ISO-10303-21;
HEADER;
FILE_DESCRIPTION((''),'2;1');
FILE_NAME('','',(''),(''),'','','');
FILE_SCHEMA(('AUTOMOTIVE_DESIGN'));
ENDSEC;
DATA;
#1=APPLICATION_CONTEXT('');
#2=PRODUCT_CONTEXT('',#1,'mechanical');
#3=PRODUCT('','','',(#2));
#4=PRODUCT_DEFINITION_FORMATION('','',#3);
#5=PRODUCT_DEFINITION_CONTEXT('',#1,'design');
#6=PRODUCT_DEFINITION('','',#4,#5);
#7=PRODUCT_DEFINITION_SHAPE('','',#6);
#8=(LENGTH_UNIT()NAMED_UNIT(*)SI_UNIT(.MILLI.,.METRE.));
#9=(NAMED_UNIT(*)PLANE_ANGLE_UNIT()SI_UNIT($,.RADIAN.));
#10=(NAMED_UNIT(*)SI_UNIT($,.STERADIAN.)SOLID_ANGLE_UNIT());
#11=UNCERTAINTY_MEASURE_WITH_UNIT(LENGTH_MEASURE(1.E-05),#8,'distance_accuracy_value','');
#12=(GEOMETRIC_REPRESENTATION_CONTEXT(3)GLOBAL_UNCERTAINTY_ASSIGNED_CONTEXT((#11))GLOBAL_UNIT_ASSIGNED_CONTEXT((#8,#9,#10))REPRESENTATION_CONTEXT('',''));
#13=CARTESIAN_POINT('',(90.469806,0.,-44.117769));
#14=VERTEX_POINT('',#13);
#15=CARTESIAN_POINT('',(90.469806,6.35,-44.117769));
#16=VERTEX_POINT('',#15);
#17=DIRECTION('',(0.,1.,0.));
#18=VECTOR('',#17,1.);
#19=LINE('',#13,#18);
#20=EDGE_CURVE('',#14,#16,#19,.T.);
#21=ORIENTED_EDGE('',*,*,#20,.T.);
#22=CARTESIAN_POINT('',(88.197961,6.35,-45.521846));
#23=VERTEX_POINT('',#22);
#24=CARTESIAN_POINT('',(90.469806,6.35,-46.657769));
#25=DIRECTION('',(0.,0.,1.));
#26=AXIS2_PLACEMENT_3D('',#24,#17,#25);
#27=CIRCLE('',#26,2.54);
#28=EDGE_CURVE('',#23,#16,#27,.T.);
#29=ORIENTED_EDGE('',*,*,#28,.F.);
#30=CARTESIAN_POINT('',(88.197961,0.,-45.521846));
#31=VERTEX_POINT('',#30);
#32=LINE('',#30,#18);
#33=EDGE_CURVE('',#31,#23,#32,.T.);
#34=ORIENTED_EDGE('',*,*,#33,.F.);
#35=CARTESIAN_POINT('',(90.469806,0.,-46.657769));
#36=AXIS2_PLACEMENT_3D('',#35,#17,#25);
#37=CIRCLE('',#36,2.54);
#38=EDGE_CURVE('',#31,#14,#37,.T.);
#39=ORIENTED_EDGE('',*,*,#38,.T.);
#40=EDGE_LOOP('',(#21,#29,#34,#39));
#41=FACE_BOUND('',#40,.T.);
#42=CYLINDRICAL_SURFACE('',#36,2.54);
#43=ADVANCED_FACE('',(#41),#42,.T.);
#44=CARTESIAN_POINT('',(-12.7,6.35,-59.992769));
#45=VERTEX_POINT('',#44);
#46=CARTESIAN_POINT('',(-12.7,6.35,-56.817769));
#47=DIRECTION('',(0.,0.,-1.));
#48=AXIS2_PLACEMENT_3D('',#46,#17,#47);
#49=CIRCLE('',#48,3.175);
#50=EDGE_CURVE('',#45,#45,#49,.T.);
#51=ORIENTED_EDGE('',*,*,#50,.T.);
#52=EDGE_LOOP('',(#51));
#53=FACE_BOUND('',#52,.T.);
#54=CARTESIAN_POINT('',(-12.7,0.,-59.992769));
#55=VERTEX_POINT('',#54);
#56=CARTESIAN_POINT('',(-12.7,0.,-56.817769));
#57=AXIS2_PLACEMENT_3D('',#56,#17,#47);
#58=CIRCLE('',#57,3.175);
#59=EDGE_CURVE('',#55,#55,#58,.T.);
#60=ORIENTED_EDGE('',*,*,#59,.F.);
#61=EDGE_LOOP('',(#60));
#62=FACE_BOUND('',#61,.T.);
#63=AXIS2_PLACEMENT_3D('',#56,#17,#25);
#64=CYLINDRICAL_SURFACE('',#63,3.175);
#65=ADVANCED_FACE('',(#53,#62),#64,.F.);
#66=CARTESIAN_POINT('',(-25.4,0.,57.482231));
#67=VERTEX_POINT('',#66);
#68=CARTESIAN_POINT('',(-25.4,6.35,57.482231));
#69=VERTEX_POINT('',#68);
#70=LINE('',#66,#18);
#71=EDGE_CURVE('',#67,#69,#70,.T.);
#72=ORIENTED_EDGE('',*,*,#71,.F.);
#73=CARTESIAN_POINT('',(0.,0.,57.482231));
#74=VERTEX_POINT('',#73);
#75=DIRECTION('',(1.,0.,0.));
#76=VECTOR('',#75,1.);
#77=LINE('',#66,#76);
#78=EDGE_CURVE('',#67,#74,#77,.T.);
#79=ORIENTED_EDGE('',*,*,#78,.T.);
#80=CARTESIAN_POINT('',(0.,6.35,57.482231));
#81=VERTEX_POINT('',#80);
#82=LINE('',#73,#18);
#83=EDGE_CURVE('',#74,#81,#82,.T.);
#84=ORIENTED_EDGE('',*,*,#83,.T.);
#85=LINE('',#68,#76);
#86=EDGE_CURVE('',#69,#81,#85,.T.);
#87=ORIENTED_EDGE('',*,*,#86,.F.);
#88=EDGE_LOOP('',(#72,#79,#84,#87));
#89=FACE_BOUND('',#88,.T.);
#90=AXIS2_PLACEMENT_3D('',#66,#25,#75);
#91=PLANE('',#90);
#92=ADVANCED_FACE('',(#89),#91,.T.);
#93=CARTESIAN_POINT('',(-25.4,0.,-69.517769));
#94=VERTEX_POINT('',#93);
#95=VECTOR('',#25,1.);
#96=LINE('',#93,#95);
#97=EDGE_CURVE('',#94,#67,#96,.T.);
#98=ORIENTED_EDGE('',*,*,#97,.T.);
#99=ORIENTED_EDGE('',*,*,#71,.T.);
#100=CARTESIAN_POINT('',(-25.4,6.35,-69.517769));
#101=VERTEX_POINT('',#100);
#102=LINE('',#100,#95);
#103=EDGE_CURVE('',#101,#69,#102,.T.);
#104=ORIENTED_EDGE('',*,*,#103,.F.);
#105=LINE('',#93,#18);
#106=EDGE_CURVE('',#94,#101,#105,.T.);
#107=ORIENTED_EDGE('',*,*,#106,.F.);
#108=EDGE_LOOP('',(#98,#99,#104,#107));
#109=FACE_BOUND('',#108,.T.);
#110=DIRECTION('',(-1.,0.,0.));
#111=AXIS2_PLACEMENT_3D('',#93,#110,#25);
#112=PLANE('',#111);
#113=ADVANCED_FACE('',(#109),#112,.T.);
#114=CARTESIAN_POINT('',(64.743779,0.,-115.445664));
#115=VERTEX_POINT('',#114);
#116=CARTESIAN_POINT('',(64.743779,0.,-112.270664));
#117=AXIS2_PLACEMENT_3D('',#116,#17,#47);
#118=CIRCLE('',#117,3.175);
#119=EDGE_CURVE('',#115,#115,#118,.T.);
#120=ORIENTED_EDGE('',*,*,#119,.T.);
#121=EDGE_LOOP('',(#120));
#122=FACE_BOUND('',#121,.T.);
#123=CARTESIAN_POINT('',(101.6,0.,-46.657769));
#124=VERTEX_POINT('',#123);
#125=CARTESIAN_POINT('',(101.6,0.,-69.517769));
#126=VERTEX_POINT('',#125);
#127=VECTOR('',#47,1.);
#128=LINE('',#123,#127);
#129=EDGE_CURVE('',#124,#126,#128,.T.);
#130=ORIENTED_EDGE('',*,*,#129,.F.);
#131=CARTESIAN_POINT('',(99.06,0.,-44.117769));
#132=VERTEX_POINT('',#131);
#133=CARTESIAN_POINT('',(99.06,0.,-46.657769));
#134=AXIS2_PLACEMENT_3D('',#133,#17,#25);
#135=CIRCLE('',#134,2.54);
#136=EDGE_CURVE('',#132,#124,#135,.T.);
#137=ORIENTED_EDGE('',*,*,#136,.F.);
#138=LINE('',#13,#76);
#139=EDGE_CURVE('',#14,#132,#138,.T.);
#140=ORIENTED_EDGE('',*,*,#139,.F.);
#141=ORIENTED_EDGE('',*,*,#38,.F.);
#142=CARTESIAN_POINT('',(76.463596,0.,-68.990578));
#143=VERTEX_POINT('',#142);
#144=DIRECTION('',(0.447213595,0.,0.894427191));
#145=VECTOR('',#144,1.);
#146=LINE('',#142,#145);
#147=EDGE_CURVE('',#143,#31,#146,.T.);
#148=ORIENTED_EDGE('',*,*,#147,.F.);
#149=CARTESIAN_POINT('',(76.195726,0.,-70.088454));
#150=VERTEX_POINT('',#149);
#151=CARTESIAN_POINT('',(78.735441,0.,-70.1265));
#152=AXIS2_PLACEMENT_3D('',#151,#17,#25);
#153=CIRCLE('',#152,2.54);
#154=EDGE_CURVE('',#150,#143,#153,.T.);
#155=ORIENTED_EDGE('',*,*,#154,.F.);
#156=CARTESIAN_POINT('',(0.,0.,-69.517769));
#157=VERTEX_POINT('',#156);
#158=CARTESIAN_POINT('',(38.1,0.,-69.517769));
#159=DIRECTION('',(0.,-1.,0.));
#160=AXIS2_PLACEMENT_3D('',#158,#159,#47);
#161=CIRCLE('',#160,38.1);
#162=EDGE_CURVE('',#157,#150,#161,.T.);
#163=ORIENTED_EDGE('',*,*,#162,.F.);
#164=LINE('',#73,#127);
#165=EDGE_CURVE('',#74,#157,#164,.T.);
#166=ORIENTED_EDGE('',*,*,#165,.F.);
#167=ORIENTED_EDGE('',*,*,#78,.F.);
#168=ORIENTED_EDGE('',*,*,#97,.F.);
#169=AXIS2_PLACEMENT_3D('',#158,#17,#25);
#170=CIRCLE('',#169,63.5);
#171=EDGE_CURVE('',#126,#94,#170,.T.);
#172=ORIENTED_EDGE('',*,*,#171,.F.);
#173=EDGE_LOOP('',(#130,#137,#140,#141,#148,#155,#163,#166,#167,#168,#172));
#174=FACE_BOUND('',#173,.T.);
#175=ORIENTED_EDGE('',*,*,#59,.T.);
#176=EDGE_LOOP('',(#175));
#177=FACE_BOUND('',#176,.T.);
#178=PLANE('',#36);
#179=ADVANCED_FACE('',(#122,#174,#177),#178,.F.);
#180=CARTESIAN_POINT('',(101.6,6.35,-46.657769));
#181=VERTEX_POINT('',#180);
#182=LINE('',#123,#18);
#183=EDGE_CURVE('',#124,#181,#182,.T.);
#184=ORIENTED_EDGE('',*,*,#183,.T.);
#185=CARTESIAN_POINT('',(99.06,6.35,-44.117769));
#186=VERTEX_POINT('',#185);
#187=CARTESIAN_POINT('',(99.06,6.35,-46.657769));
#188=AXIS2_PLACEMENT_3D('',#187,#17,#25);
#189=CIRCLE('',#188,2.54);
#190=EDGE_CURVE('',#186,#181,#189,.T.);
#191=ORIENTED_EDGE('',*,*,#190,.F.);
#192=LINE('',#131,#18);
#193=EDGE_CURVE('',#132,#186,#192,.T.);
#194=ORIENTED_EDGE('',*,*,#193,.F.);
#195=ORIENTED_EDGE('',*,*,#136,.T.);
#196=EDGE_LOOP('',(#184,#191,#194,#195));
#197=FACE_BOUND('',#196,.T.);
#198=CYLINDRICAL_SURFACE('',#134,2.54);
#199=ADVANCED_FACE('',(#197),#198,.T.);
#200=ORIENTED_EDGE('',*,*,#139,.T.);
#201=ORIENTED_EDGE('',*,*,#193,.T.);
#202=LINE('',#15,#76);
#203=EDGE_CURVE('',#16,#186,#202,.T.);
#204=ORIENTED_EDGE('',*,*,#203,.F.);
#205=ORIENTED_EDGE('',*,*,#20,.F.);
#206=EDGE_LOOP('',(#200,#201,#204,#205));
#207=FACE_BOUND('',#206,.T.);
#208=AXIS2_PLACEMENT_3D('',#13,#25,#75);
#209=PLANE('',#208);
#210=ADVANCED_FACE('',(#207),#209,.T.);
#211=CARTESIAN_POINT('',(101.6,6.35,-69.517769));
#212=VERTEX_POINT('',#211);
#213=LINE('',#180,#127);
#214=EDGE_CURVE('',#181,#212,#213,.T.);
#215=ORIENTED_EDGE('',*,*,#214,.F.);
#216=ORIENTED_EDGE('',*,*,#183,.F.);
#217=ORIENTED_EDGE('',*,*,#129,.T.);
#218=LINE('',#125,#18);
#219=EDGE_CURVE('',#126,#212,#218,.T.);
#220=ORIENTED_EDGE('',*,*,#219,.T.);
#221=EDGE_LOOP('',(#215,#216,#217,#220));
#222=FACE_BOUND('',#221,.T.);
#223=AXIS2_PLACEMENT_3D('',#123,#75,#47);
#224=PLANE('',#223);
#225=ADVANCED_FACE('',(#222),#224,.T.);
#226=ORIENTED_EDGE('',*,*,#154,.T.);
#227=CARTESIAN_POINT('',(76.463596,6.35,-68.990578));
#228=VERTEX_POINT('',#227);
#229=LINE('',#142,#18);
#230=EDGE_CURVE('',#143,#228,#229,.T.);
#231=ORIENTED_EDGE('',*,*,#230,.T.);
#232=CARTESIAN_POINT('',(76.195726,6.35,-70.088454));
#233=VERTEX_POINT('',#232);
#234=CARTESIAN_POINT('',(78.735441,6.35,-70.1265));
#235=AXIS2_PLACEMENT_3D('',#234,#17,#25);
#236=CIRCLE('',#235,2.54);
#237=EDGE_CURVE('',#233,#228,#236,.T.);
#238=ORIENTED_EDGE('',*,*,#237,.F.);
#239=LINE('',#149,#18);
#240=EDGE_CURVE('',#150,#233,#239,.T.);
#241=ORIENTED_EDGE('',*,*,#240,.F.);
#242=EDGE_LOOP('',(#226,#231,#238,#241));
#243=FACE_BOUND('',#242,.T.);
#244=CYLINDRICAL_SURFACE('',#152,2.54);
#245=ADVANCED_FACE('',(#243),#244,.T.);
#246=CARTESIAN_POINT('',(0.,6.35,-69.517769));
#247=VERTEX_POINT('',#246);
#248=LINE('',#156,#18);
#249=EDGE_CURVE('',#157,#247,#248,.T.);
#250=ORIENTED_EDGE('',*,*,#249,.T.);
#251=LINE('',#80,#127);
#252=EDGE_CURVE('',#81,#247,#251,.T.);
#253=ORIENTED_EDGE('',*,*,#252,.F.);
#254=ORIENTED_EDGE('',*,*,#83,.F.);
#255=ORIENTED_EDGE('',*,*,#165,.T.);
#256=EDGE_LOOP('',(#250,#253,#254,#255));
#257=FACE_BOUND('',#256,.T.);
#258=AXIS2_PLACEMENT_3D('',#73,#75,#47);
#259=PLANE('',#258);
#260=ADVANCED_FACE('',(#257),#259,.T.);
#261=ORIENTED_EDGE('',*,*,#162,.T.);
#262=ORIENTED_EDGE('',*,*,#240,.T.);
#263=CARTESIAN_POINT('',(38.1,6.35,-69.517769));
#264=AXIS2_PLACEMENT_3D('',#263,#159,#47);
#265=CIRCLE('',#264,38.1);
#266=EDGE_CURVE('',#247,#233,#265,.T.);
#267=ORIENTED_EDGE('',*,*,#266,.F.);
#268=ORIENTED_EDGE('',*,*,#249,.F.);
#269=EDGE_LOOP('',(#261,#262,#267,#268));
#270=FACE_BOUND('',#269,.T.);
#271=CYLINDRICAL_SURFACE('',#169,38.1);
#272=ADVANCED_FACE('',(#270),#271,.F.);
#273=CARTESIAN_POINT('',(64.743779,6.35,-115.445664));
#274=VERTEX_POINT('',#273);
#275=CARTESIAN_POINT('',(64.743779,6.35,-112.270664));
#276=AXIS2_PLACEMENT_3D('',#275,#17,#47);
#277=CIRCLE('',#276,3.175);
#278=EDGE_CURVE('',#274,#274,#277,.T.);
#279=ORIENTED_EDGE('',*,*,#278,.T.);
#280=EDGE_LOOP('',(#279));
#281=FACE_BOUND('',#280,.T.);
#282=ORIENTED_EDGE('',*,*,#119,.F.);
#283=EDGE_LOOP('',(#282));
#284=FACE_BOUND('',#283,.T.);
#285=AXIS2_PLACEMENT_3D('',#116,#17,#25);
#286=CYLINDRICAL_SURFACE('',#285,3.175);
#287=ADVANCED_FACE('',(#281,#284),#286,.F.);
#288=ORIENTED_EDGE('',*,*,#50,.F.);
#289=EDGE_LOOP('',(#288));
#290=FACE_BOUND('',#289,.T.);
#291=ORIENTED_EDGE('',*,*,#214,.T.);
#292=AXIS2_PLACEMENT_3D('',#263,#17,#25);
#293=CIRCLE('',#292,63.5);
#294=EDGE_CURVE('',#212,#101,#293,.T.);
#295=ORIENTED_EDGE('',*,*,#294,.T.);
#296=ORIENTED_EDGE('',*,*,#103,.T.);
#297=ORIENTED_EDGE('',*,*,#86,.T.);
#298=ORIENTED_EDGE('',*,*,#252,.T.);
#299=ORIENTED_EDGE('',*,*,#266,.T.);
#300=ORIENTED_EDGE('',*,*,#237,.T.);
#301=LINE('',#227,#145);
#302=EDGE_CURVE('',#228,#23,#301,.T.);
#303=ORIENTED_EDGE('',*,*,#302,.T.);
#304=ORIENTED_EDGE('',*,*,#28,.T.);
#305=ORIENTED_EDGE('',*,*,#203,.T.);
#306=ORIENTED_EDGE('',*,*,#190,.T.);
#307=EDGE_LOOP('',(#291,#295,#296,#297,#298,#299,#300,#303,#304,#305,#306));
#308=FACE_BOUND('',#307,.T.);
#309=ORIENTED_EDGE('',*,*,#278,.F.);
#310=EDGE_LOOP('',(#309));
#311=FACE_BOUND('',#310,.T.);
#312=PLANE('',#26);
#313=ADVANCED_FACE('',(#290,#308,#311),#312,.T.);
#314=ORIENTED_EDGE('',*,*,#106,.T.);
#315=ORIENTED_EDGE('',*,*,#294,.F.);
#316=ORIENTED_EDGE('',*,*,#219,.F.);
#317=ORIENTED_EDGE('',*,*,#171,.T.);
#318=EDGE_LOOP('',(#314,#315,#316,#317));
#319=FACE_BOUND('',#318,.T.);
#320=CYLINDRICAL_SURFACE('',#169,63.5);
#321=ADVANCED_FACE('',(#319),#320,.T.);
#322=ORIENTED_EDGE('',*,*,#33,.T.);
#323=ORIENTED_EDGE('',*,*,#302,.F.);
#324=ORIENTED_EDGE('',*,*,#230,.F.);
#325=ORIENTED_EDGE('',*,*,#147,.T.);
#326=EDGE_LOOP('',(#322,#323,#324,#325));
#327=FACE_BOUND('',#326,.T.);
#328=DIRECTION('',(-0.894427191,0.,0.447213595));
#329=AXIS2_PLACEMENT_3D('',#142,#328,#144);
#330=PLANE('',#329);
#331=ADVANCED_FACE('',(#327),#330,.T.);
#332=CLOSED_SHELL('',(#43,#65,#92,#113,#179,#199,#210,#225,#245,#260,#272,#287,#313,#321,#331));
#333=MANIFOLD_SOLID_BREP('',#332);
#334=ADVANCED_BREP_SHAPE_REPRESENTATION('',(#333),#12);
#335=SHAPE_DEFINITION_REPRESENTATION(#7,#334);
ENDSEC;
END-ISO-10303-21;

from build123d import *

# Parameters (mm, degrees)
SKETCH1_R           = 3.175
BOSS_EXTRUDE1_DEPTH = 6.35


with BuildPart() as part:
    # Sketch1 → Boss-Extrude1 (new body)
    with BuildSketch(Plane(origin=(0, 6.35, 0), x_dir=(1, 0, 0), z_dir=(0, 1, 0))):
        with BuildLine():
            Line((90.469806331, 44.117768919), (99.06, 44.117768919))
            ThreePointArc((99.06, 44.117768919), (100.856051224, 44.861717695), (101.6, 46.657768919))
            Line((101.6, 46.657768919), (101.6, 69.517768919))
            ThreePointArc((101.6, 69.517768919), (38.1, 133.017768919), (-25.4, 69.517768919))
            Line((-25.4, 69.517768919), (-25.4, -57.482231081))
            Line((-25.4, -57.482231081), (0, -57.482231081))
            Line((0, -57.482231081), (0, 69.517768919))
            ThreePointArc((0, 69.517768919), (37.814649281, 107.616700334), (76.19572572, 70.088454351))
            ThreePointArc((76.19572572, 70.088454351), (76.267828346, 69.524429509), (76.463595703, 68.990577514))
            Line((76.463595703, 68.990577514), (88.197961266, 45.521846387))
            ThreePointArc((88.197961266, 45.521846387), (89.134449307, 44.497115866), (90.469806331, 44.117768919))
        make_face()
        with Locations((64.743779314, 112.270663754)):
            Circle(SKETCH1_R, mode=Mode.SUBTRACT)
        with Locations((-12.7, 56.817768919)):
            Circle(SKETCH1_R, mode=Mode.SUBTRACT)
    extrude(amount=-BOSS_EXTRUDE1_DEPTH)


solid = part.part
